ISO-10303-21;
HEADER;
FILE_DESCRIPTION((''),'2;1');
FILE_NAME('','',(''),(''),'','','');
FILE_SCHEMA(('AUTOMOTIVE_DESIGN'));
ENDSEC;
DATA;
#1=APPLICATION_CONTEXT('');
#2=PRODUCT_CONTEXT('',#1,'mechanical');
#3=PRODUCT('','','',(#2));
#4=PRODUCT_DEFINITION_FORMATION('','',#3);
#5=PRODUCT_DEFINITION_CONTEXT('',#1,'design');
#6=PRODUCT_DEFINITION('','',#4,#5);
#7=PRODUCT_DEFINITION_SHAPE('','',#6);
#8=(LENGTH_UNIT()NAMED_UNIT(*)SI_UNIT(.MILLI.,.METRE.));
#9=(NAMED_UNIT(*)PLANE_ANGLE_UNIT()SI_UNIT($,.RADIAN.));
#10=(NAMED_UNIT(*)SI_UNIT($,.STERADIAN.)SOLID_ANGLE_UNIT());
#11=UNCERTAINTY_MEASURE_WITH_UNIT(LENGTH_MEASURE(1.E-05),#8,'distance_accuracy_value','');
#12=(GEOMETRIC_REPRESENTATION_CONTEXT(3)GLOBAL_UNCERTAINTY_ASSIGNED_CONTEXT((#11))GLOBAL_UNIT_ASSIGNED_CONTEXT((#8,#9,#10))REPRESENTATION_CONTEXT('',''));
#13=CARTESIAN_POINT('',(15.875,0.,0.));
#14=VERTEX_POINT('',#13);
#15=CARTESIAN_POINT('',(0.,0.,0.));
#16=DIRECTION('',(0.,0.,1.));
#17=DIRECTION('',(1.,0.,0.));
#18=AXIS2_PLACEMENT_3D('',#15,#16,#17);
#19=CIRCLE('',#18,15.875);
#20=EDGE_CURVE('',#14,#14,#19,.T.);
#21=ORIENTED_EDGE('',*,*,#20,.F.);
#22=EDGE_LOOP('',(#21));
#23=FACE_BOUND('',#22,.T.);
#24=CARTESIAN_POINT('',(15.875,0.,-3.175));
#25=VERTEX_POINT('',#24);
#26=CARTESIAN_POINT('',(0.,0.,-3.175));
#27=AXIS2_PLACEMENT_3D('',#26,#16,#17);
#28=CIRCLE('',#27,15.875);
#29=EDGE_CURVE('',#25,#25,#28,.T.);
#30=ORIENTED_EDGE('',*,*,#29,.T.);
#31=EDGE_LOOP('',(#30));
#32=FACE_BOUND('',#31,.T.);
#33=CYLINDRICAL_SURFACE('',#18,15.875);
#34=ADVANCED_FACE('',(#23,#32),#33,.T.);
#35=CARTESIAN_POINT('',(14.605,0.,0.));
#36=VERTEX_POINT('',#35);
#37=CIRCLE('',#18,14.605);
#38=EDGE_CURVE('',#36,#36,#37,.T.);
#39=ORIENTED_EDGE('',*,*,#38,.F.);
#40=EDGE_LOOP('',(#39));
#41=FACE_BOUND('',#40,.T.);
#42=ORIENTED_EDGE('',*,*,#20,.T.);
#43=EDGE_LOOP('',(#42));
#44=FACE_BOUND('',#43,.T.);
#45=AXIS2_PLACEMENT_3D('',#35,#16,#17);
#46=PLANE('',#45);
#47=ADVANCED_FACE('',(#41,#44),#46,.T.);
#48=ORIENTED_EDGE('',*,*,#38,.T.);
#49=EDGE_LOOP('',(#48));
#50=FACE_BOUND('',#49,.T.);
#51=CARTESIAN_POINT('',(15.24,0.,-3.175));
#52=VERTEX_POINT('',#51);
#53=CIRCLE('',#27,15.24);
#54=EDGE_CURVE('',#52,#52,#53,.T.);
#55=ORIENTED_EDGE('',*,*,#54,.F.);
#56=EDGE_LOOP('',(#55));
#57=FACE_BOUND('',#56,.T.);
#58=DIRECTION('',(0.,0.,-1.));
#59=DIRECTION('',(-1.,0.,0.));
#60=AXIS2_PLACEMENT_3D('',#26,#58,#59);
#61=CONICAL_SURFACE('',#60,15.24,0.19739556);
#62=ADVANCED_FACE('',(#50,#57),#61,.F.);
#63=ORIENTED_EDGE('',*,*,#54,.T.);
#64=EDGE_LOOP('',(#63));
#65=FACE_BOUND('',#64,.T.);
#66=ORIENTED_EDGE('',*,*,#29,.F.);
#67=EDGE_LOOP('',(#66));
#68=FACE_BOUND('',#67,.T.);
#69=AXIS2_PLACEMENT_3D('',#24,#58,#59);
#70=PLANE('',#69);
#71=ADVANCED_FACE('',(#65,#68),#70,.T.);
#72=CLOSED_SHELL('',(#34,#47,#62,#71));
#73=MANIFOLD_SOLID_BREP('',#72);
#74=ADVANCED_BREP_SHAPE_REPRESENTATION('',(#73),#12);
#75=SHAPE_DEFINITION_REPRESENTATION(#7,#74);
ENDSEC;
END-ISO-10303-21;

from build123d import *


with BuildPart() as part:
    # Sketch1 → Revolve1 (revolve)
    with BuildSketch(Plane(origin=(0, 0, 0), x_dir=(1, 0, 0), z_dir=(0, 1, 0))):
        Polygon((15.875, 0), (15.875, 3.175), (15.24, 3.175), (14.605, 0), align=None)
    revolve(axis=Axis((0, 0, 0), (0, 0, -1)))


solid = part.part
